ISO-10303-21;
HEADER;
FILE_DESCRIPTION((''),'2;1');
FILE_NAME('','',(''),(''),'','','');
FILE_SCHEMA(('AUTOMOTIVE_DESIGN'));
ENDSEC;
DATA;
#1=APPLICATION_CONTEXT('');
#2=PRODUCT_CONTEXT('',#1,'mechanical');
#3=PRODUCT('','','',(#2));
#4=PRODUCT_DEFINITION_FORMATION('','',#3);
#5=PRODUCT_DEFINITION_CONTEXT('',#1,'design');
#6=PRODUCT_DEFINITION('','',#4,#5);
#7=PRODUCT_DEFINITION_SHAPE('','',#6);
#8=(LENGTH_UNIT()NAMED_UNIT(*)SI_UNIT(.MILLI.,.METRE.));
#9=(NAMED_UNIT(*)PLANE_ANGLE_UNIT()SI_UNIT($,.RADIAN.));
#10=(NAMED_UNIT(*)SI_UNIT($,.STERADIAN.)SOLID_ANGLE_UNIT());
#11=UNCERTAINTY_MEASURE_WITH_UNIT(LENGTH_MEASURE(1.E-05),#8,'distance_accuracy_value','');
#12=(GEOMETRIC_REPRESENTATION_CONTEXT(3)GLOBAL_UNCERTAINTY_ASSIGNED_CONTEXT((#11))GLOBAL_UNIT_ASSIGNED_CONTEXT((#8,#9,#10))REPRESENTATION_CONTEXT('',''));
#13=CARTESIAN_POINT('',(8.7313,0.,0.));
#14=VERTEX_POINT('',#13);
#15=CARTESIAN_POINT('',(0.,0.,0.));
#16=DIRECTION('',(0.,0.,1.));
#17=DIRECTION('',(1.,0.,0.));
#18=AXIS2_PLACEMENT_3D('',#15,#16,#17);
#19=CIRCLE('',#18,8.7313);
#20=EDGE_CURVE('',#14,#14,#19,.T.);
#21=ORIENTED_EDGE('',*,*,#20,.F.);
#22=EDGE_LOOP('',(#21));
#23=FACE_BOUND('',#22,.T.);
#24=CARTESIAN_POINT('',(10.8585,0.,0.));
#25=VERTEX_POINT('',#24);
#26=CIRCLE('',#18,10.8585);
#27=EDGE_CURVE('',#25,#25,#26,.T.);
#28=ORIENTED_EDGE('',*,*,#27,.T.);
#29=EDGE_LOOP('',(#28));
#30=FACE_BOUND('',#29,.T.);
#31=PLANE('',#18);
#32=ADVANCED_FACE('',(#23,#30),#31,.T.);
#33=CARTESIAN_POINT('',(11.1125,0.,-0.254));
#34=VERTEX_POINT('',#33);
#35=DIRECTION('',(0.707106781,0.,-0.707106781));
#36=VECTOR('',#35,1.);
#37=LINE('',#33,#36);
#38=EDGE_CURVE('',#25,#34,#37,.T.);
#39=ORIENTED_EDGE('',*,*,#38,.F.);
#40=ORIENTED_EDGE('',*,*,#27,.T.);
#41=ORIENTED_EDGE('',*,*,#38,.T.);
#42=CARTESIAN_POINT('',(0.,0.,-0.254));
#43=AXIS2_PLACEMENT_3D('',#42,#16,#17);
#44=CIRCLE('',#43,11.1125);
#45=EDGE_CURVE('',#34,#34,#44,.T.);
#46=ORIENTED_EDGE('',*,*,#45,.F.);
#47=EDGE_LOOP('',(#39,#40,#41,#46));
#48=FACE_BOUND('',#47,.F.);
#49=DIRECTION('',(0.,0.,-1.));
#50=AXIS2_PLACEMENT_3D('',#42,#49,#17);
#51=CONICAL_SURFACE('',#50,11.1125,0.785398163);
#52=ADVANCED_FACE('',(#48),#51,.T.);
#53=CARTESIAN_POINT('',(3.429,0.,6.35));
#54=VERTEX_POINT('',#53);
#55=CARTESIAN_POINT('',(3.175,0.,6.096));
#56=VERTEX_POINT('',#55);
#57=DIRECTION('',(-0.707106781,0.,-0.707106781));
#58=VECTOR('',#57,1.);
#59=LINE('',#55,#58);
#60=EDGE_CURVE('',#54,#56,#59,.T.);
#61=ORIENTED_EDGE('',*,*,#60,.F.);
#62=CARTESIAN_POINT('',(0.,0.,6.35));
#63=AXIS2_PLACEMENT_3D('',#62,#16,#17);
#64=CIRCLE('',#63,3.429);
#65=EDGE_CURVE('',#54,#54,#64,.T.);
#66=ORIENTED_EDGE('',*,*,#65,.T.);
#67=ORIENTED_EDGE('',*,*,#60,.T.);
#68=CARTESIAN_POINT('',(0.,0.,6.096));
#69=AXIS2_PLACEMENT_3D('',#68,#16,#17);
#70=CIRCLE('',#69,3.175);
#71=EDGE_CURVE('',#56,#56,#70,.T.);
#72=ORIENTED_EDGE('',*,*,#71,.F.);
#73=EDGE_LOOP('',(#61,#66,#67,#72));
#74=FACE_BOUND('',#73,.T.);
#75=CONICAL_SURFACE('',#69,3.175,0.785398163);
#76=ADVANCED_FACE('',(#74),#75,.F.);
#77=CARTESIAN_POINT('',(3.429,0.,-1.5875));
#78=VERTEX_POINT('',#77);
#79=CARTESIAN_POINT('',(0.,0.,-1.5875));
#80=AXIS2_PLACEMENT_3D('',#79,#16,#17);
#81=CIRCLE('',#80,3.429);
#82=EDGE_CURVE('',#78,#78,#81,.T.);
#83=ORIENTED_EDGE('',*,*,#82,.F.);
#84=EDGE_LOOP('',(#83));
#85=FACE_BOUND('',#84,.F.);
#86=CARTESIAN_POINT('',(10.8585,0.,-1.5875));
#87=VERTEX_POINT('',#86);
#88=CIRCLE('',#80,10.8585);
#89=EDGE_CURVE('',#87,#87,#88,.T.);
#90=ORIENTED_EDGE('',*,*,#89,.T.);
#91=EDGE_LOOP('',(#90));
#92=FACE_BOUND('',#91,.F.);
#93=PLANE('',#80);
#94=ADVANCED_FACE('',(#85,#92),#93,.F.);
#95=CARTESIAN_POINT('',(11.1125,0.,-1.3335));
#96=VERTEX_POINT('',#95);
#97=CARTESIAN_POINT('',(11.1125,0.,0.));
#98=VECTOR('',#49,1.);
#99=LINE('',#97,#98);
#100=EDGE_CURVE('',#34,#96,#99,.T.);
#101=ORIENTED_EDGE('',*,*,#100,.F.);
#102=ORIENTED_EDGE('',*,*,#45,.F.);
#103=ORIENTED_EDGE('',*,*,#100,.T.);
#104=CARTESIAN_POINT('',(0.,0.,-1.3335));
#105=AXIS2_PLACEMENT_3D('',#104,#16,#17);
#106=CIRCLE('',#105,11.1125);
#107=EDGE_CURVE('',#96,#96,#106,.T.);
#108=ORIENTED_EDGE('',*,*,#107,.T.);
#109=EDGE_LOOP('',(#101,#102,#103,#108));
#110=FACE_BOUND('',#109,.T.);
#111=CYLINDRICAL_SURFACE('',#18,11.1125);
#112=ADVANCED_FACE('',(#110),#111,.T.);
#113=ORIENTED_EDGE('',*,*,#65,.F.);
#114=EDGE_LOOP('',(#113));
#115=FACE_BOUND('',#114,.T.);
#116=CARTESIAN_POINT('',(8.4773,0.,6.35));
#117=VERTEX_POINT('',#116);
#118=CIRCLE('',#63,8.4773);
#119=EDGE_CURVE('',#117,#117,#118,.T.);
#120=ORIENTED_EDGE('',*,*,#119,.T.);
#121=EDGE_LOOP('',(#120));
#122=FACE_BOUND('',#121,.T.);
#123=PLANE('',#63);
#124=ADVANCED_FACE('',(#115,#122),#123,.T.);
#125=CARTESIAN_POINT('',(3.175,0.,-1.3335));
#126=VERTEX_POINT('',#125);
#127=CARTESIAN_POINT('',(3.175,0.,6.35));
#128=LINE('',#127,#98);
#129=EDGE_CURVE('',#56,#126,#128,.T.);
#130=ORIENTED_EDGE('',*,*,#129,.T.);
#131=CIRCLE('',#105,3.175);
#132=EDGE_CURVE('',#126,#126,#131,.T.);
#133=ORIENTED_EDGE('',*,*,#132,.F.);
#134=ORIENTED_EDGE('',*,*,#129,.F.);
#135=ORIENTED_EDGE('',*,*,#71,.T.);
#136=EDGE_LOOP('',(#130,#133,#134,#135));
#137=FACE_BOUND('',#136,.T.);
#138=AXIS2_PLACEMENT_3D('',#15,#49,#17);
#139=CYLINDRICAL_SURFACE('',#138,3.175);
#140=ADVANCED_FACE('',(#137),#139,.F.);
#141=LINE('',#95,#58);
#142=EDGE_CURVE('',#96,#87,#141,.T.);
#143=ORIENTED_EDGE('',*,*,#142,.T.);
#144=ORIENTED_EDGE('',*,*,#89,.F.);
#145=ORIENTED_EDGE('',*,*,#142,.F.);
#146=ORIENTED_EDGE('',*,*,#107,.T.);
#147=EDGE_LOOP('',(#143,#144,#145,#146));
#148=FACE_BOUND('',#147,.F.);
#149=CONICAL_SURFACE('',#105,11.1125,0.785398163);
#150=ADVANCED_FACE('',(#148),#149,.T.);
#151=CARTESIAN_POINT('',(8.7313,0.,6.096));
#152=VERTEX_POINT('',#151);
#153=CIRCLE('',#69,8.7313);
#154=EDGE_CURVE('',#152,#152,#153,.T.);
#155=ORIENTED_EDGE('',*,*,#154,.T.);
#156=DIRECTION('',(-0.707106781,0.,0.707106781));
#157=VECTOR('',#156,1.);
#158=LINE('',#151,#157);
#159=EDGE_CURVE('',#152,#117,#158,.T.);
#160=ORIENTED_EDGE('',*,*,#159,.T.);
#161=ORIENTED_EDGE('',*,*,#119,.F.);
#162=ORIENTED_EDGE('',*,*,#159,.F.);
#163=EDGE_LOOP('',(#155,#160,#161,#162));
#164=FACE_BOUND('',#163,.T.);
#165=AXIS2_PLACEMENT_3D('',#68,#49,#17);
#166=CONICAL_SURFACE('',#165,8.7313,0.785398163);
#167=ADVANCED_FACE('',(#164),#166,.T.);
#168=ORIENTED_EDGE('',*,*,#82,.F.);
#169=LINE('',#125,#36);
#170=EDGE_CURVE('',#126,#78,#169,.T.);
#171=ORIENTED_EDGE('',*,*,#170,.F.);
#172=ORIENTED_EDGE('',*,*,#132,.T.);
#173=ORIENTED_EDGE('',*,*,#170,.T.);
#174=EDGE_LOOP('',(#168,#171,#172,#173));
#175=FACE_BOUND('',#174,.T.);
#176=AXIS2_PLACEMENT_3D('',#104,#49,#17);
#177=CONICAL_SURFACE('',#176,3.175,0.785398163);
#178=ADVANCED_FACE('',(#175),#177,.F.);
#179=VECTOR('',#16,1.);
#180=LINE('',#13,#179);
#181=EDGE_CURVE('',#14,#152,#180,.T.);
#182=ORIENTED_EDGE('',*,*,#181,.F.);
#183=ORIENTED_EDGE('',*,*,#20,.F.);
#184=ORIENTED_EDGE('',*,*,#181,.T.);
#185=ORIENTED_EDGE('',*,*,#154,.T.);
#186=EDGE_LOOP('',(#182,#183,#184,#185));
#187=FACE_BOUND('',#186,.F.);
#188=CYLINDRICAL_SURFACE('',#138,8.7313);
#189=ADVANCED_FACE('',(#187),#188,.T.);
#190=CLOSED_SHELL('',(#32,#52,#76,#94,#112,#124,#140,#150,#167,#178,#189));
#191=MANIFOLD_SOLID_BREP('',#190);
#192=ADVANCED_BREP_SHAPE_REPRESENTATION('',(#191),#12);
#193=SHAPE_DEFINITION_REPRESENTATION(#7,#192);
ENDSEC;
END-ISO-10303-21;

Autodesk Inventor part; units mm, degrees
ref_plane "YZ Plane" through (0, 0, 0) normal (1, 0, 0) x (0, 1, 0)
ref_plane "XZ Plane" through (0, 0, 0) normal (0, 1, 0) x (-1, 0, 0)
ref_plane "XY Plane" through (0, 0, 0) normal (0, 0, 1) x (1, 0, 0)
sketch "Sketch1" plane through (0, 0, 0) normal (0, 0, 1) x (1, 0, 0)
  circle A0 centre (0, 0) radius 8.7313
  circle A1 centre (0, 0) radius 11.1125
  circle A2 centre (0, 0) radius 3.175
  dimension "d0" = 17.4625
  dimension "d1" = 22.225
  dimension "d2" = 6.35
extrude "Extrusion1" add sketch "Sketch1" along normal blind 6.35 contours A0
extrude "Extrusion2" add sketch "Sketch1" against normal blind 1.5875 contours A0 | A1
chamfer "Chamfer1" distance 0.254 angle 45 5 edges at (-8.7313, 0, 6.35) (-11.1125, 0, 0) (-11.1125, 0, -1.5875) (-3.175, 0, 6.35) (-3.175, 0, -1.5875)
properties part number "0.25 in Flanged Ball Bearing" material "Steel"
